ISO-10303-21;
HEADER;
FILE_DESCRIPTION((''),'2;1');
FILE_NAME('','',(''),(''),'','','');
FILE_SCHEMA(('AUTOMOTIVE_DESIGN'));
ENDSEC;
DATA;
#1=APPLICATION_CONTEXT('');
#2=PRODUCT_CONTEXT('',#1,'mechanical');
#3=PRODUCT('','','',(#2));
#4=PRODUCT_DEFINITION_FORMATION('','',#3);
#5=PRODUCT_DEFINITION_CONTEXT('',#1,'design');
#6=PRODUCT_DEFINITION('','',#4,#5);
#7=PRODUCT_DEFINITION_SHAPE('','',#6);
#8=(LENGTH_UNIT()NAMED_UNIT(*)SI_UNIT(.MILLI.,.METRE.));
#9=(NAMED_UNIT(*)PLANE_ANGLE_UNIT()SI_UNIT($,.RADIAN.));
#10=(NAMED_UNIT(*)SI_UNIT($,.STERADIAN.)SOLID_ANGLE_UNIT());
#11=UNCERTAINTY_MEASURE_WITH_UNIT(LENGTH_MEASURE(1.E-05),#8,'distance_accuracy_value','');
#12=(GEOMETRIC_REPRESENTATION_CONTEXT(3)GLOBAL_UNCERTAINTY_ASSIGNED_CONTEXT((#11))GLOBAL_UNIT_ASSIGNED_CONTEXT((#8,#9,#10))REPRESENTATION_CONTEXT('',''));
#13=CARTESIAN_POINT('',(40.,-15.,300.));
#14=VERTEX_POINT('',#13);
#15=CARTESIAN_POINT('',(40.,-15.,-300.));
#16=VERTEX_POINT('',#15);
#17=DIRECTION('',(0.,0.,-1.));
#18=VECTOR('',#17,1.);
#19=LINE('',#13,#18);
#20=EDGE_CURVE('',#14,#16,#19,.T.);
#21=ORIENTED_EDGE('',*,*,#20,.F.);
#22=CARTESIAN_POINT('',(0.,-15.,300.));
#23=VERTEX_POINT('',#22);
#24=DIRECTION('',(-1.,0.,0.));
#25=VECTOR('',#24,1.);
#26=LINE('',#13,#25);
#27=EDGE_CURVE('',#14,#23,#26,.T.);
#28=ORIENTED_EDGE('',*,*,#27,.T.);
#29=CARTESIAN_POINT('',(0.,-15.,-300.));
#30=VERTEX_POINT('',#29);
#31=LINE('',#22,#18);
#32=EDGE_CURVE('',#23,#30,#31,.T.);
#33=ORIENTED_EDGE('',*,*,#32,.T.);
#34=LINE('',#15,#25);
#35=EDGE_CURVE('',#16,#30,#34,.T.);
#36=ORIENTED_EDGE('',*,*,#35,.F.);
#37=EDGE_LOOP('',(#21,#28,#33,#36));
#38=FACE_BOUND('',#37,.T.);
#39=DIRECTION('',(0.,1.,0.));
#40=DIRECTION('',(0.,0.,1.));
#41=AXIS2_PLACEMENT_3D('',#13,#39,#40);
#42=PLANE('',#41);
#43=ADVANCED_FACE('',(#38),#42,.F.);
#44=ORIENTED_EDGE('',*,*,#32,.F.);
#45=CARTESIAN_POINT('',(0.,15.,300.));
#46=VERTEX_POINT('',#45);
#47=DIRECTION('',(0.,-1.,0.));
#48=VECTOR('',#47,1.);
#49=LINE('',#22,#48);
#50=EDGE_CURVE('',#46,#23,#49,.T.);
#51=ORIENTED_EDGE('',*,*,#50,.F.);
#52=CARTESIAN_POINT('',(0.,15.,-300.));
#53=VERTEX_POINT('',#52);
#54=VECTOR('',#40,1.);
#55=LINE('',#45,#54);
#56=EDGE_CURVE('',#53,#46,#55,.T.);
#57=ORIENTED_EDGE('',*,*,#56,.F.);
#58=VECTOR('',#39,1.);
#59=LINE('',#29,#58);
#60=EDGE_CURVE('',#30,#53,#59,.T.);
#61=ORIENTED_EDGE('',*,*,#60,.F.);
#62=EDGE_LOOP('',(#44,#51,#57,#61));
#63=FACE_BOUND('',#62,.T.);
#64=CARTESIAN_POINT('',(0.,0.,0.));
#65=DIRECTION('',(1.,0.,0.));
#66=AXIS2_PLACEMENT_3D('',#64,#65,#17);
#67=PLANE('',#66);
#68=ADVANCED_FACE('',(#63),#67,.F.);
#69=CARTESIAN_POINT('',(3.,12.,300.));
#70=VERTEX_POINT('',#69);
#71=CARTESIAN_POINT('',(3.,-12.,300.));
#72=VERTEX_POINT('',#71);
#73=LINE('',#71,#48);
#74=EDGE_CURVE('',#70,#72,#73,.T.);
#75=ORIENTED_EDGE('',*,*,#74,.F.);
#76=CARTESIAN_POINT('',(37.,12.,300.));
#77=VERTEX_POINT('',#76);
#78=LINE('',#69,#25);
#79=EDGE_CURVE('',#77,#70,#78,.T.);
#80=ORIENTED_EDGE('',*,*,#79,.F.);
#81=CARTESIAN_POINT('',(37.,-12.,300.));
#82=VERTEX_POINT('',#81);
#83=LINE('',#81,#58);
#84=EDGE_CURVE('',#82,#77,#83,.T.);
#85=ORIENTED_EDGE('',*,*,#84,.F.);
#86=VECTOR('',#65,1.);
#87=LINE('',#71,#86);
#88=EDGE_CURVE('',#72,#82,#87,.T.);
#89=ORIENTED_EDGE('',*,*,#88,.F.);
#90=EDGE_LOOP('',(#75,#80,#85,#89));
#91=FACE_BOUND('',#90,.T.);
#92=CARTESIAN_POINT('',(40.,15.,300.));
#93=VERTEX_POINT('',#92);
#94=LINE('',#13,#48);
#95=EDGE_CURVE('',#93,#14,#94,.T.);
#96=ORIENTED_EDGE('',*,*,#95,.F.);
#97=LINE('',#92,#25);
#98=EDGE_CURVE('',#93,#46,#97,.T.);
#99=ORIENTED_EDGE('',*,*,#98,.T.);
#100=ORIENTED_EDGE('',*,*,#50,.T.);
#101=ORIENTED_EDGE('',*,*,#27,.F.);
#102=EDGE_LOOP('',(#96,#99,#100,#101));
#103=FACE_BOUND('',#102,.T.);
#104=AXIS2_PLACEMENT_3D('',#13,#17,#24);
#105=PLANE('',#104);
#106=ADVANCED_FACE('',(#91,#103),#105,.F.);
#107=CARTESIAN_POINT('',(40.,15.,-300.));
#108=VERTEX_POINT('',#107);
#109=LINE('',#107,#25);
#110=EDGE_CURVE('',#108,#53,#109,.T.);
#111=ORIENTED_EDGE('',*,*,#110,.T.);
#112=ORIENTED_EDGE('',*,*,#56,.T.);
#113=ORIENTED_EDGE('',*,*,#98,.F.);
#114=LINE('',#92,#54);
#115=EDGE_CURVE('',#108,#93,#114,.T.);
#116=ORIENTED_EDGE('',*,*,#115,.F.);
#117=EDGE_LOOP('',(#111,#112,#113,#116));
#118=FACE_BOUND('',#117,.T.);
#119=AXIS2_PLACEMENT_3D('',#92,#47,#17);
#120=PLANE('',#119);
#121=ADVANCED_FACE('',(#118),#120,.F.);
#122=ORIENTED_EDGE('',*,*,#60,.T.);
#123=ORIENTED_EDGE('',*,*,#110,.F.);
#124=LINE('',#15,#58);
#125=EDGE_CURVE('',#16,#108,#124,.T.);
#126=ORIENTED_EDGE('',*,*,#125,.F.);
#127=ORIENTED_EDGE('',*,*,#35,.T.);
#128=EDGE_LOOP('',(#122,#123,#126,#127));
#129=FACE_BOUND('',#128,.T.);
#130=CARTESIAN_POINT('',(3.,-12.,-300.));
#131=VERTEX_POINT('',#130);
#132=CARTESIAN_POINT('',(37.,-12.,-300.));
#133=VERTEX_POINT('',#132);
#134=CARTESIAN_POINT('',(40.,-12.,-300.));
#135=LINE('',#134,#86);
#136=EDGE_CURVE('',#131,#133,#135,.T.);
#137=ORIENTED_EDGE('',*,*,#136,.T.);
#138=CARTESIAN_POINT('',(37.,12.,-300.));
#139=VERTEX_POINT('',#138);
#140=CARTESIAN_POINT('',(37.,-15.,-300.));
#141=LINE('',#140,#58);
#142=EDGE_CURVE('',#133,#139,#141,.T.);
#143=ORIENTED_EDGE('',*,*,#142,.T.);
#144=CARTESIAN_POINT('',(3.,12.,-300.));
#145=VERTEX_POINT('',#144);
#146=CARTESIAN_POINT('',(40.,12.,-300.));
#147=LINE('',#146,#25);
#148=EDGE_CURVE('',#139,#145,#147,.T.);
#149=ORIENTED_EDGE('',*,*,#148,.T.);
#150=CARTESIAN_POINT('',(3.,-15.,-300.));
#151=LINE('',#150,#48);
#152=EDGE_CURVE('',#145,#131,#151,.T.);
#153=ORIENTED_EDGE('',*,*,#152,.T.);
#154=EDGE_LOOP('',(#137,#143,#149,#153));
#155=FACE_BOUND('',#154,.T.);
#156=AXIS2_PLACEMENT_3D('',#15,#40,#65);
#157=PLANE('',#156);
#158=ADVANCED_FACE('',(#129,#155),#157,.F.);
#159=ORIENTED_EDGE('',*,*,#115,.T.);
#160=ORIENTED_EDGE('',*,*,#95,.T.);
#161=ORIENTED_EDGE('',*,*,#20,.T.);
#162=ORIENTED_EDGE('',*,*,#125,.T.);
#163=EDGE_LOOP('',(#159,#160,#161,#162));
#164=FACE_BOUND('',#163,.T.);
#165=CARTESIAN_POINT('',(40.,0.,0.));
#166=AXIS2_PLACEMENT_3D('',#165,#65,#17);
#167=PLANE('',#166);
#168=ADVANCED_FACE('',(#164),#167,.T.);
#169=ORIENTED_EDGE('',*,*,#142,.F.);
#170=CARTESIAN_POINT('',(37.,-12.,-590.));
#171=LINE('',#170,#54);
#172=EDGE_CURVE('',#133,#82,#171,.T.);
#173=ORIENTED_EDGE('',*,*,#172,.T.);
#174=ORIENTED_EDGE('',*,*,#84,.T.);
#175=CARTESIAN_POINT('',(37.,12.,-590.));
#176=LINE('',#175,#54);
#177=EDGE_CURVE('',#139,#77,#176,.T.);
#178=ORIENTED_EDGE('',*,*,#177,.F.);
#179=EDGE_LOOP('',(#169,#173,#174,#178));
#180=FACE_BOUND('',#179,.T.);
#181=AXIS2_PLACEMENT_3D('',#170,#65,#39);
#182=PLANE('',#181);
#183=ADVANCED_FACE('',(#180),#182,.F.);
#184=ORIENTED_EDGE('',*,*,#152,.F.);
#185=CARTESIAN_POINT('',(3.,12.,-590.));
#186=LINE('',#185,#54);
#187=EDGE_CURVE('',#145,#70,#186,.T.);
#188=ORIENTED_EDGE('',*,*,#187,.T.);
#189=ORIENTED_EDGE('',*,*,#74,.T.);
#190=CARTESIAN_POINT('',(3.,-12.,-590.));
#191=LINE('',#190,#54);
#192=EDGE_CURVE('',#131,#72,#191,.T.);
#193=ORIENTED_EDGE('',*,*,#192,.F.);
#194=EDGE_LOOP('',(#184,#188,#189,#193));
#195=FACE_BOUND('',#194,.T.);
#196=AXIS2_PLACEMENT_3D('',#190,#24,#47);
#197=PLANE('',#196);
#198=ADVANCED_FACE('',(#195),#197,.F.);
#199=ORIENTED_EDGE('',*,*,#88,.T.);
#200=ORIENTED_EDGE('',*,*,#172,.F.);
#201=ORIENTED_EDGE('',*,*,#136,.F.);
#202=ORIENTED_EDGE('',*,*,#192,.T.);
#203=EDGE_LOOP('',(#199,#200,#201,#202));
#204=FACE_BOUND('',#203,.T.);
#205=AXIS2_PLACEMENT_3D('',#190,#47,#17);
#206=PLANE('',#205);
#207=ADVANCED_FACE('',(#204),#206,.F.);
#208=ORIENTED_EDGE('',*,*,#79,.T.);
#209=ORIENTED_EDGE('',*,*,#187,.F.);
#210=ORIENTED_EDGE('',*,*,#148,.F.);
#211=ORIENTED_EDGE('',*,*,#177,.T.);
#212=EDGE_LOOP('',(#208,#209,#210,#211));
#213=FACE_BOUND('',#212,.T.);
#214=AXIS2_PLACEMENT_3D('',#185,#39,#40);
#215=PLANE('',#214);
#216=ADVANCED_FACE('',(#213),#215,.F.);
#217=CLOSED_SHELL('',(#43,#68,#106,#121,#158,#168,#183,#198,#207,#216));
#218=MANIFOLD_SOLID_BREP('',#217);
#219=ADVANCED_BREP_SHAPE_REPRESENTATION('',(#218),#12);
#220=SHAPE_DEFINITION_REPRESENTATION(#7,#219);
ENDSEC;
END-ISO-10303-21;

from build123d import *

# Parameters (mm, degrees)
CROQUIS1_W              = 600
CROQUIS1_H              = 30
SALIENTE_EXTRUIR1_DEPTH = 40
CROQUIS2_W              = 34
CROQUIS2_H              = 24
CORTAR_EXTRUIR1_DEPTH   = 890


with BuildPart() as part:
    # Croquis1 → Saliente-Extruir1 (new body)
    with BuildSketch(Plane(origin=(0, 0, 0), x_dir=(0, 0, -1), z_dir=(1, 0, 0))):
        Rectangle(CROQUIS1_W, CROQUIS1_H)
    extrude(amount=SALIENTE_EXTRUIR1_DEPTH)

    # Croquis2 → Cortar-Extruir1 (cut)
    with BuildSketch(Plane.XY.offset(300)):
        with Locations((20, 0)):
            Rectangle(CROQUIS2_W, CROQUIS2_H)
    extrude(amount=-CORTAR_EXTRUIR1_DEPTH, mode=Mode.SUBTRACT)


solid = part.part
